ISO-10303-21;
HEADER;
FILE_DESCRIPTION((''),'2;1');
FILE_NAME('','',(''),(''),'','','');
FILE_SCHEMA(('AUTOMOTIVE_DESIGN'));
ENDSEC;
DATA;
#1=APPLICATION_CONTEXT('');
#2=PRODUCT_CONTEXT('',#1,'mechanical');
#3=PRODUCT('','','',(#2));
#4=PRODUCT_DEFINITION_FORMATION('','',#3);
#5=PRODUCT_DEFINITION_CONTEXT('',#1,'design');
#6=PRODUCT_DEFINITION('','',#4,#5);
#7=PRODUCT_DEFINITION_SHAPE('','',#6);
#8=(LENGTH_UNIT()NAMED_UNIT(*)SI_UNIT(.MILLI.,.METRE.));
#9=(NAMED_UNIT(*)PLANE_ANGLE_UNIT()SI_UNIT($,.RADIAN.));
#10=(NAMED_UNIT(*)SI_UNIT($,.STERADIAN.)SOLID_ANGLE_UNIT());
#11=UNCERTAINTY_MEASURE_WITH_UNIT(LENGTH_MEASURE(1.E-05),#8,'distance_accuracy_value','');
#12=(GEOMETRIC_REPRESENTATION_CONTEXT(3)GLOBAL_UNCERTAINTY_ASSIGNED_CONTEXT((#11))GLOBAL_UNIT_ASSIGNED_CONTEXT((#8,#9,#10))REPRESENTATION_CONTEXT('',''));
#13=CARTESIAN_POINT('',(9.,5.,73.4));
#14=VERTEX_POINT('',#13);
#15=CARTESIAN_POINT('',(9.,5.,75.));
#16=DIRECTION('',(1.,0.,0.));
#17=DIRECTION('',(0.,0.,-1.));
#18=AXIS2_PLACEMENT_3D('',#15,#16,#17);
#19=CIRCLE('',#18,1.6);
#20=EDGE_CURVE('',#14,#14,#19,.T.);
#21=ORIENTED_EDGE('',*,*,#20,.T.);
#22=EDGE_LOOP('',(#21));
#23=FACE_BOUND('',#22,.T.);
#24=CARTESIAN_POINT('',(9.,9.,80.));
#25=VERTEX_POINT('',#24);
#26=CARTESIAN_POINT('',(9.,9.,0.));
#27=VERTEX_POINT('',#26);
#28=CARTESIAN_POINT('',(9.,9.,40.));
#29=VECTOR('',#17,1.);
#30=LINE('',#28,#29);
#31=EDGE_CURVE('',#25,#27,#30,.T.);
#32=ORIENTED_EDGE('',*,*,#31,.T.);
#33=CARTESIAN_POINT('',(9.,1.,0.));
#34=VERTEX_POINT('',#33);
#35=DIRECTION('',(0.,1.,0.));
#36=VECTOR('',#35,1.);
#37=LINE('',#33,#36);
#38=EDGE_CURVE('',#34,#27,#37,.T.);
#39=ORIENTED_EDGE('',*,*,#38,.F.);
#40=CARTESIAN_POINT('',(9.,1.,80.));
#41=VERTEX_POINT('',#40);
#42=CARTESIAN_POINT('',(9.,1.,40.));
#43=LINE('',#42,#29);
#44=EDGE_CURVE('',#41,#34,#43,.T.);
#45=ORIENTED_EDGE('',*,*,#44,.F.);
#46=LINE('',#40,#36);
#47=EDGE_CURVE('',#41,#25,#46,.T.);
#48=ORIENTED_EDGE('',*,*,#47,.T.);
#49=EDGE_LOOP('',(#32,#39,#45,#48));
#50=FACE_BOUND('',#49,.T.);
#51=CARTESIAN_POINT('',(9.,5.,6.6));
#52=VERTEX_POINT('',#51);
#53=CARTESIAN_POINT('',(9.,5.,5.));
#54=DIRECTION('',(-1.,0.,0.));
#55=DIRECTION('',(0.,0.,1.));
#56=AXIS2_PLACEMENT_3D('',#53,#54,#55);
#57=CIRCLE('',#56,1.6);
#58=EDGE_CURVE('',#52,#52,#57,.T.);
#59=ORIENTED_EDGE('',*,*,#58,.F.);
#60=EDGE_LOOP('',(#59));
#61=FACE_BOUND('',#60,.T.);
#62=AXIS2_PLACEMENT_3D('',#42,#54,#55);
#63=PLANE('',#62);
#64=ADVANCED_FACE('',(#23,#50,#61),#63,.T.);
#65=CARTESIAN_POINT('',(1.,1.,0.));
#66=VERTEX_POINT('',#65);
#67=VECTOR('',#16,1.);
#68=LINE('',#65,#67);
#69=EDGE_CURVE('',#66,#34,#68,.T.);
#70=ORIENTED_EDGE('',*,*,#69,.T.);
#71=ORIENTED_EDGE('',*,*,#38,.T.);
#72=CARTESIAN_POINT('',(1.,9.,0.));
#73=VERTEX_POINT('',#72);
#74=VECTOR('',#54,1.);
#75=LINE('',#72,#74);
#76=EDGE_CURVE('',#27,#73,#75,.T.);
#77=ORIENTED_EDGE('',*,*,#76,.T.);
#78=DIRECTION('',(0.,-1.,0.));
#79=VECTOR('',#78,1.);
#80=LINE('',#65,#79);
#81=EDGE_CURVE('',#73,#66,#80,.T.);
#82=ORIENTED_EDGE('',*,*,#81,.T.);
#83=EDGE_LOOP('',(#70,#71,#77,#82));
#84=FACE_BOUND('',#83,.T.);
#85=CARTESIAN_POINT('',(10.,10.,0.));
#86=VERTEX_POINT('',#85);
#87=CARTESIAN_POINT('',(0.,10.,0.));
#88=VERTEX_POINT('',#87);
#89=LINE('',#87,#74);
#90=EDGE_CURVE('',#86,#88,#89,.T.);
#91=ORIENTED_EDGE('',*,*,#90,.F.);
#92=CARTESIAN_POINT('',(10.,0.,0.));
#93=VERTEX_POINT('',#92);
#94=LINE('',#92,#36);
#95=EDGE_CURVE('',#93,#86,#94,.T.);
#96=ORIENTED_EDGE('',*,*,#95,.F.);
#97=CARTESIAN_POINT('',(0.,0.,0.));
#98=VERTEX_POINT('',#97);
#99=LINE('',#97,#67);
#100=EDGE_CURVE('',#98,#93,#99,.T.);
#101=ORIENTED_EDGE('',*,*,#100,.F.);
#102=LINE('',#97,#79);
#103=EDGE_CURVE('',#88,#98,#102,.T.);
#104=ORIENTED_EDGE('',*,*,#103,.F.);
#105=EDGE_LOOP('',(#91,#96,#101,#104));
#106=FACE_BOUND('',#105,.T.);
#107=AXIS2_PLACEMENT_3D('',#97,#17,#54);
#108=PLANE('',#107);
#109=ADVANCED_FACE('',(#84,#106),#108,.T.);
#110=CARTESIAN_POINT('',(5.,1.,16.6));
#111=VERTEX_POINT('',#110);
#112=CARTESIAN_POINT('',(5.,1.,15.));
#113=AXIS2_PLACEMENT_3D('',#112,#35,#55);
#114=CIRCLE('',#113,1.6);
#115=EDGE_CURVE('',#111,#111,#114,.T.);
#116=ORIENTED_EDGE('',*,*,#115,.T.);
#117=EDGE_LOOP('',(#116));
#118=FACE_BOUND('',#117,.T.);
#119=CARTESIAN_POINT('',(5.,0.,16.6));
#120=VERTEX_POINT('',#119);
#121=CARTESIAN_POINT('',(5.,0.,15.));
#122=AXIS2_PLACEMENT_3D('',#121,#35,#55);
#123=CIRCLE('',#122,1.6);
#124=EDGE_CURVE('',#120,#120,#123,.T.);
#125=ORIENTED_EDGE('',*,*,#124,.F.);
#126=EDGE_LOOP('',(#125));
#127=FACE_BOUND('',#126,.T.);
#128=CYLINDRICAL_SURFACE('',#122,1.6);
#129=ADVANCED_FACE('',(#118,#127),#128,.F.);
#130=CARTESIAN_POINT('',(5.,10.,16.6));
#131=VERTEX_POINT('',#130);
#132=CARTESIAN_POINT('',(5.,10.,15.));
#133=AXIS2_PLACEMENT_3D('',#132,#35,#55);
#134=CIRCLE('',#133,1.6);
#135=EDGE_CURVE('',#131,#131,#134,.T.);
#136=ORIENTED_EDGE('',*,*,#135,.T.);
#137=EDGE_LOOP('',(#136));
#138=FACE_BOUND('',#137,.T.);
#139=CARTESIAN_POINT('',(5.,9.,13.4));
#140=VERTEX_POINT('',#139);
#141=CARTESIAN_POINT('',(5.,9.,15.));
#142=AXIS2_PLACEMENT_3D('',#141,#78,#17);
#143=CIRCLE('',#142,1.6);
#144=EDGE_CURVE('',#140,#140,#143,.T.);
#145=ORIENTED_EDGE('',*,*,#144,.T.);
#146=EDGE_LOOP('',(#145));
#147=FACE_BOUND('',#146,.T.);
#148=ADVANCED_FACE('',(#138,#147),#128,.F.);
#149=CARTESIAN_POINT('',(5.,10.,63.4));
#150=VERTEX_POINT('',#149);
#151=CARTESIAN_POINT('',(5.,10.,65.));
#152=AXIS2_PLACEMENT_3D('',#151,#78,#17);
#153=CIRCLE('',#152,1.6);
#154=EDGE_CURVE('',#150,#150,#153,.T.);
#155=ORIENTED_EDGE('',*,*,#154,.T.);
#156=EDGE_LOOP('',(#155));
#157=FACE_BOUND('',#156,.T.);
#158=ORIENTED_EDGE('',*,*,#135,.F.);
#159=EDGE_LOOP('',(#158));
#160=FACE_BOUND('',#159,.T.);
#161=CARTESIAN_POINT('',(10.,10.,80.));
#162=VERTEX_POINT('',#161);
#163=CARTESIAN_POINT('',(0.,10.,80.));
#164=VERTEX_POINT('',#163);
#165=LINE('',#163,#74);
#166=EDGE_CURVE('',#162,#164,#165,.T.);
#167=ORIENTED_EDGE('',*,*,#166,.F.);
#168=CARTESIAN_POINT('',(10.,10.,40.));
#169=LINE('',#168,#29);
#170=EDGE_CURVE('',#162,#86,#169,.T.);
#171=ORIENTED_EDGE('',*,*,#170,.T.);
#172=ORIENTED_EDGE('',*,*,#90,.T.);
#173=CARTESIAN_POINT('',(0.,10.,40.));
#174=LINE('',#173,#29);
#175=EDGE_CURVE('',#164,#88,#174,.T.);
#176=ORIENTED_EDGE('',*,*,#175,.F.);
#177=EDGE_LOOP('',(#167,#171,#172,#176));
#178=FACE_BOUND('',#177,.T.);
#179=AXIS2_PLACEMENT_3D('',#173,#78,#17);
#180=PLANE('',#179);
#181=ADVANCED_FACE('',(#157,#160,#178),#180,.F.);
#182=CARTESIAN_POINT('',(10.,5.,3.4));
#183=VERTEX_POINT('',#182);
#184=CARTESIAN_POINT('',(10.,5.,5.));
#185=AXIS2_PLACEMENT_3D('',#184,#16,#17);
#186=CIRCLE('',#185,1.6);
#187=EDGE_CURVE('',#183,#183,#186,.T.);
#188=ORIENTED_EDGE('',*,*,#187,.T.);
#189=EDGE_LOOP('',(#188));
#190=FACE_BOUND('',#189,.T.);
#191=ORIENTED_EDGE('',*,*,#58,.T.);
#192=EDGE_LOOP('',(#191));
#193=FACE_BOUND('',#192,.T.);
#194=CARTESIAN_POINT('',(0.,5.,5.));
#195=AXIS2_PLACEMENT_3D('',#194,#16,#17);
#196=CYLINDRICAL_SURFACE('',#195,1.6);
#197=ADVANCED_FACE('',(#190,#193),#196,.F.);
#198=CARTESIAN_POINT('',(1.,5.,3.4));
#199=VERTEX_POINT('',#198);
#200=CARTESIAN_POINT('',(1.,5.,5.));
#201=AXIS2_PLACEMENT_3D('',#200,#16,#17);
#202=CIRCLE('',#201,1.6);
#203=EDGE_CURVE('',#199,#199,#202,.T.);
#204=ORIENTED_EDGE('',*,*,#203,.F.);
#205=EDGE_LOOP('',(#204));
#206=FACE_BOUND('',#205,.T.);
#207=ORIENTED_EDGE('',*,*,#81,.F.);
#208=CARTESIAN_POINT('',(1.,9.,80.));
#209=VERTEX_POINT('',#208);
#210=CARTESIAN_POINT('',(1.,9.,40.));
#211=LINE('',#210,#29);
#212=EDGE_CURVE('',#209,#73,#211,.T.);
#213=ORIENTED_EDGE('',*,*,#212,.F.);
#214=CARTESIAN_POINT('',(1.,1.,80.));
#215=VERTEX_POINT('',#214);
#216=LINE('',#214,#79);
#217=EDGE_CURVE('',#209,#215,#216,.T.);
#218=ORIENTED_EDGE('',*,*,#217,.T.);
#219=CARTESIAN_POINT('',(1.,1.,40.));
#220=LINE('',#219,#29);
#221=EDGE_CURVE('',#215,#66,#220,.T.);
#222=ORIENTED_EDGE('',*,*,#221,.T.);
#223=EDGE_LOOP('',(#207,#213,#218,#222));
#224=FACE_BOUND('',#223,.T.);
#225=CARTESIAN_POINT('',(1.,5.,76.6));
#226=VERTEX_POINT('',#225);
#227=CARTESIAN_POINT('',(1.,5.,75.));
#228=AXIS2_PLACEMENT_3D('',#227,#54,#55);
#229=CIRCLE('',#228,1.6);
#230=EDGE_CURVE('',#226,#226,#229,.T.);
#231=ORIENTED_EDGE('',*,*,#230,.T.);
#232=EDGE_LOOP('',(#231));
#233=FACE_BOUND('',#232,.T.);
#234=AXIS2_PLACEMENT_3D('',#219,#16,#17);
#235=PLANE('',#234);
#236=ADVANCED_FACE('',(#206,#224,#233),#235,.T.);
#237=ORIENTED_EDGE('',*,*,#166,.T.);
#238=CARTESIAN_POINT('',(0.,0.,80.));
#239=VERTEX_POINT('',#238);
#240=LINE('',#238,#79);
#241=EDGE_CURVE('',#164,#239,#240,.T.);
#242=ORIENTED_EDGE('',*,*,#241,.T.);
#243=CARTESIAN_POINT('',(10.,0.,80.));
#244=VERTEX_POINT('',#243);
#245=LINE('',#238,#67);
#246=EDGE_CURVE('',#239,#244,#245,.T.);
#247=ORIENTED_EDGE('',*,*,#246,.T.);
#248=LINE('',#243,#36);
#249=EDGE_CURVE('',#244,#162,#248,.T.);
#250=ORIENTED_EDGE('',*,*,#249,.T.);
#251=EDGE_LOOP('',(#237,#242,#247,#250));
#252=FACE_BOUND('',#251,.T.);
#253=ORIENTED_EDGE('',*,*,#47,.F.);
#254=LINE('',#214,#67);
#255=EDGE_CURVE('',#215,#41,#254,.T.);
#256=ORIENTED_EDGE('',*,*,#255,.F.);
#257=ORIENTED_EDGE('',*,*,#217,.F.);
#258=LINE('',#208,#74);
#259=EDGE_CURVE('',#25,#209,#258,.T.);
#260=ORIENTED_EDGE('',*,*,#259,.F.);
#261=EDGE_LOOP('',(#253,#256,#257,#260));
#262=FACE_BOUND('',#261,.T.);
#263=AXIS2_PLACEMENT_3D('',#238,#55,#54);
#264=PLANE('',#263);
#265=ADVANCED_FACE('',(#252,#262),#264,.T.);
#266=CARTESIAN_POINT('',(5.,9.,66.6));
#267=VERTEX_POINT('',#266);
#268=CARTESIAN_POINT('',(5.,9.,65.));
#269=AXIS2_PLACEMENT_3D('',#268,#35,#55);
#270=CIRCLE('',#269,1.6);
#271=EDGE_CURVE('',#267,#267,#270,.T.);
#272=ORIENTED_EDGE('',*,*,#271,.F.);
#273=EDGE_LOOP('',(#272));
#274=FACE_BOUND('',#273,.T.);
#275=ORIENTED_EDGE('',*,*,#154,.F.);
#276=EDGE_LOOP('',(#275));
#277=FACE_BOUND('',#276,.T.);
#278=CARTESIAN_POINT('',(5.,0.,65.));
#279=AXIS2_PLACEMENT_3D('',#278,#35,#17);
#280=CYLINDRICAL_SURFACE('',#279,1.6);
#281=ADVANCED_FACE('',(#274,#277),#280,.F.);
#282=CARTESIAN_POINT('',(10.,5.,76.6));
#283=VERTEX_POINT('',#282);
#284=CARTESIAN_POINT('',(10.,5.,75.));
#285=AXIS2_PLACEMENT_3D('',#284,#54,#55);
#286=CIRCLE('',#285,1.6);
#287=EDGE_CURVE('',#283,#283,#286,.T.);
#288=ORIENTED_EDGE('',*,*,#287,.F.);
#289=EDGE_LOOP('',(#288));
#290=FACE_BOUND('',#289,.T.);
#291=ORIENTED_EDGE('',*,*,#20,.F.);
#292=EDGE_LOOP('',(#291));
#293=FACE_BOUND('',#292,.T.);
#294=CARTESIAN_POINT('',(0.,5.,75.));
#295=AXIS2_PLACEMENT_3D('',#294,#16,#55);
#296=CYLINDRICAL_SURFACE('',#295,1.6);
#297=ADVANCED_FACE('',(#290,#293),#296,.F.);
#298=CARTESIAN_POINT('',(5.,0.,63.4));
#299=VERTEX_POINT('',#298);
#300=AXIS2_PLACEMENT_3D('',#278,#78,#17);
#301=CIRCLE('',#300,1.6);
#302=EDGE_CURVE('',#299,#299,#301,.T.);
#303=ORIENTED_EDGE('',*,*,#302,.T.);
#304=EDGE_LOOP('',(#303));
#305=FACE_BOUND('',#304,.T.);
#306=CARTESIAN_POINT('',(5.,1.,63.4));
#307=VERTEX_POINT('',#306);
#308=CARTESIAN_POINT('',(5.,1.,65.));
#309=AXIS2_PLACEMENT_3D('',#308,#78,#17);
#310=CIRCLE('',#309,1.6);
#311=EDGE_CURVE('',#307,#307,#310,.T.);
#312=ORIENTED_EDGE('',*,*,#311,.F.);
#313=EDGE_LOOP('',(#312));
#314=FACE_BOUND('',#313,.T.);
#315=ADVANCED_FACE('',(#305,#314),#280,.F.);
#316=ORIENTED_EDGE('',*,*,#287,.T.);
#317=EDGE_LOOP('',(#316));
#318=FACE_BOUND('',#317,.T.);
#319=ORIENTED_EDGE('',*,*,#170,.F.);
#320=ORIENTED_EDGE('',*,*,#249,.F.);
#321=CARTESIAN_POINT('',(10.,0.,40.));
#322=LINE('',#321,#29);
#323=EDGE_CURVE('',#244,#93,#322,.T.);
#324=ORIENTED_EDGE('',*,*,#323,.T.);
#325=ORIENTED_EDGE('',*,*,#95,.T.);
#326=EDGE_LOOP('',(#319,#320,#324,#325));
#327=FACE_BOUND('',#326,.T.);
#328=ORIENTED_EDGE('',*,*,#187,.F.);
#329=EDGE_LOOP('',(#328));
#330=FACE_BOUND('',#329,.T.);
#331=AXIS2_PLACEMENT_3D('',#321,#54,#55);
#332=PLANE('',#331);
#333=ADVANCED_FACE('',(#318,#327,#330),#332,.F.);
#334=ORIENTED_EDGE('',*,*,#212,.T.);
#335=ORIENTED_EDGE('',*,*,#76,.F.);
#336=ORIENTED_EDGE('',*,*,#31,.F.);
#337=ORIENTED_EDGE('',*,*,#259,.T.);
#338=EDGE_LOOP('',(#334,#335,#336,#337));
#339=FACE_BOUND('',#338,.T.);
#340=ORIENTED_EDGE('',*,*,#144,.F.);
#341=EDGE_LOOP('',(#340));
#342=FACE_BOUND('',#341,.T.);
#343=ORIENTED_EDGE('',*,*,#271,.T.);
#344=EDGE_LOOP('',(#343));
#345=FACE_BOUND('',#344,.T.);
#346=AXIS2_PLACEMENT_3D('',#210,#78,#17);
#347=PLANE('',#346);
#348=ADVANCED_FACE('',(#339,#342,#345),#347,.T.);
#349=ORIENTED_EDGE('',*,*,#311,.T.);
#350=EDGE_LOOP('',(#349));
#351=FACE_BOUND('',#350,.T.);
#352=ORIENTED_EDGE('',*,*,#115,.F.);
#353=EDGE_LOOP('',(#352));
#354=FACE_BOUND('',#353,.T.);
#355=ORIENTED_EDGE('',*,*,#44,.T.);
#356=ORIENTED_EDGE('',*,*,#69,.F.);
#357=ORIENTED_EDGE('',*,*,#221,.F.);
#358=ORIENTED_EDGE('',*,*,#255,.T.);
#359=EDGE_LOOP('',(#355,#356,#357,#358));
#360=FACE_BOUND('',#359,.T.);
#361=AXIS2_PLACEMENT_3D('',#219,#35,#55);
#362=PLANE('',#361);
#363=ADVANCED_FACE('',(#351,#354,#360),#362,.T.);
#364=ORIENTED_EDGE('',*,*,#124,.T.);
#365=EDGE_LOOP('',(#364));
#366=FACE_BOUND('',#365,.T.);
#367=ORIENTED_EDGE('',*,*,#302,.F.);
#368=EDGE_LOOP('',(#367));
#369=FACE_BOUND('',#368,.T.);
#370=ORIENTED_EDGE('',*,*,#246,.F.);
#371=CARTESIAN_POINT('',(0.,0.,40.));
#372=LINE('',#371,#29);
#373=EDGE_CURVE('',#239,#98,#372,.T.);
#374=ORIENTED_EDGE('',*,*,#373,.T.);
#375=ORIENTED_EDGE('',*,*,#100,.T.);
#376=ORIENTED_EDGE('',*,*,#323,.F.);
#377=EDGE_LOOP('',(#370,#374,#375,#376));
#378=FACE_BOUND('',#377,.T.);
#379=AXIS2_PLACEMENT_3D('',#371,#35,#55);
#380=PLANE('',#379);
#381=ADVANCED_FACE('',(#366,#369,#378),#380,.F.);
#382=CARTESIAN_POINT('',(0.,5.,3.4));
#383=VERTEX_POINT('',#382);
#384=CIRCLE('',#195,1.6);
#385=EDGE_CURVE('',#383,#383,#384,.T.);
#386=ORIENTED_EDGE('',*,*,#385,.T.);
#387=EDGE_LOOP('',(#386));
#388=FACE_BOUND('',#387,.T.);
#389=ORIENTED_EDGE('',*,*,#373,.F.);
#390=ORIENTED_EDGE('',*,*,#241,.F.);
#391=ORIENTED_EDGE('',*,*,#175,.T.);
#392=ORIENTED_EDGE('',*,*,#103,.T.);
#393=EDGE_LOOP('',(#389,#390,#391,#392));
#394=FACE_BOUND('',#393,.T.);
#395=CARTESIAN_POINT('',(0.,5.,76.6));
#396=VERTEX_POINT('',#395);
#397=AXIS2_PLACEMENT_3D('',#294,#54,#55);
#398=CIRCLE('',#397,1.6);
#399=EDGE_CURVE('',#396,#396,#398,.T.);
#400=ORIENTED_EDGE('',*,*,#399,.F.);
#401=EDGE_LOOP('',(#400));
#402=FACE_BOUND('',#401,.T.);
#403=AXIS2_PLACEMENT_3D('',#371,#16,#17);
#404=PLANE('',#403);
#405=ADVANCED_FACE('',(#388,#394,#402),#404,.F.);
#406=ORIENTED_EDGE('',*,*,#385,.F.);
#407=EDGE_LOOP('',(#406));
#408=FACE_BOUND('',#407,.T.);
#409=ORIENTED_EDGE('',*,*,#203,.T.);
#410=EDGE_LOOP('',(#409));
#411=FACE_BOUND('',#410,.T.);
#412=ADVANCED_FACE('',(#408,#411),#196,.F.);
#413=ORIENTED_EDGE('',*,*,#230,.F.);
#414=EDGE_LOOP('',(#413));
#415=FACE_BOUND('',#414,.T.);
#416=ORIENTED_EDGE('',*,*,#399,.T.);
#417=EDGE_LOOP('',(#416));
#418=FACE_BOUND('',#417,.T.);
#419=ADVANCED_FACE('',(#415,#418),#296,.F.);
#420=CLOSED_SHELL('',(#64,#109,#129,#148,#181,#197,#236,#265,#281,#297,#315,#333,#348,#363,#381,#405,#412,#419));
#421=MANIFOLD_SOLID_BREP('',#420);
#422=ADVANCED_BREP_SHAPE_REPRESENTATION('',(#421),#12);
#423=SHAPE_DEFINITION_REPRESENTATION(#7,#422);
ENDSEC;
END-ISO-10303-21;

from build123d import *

# Parameters (mm, degrees)
SKETCH_1_W          = 10
SKETCH_1_H          = 10
SKETCH_1_W_2        = 8
SKETCH_1_H_2        = 8
EXTRUDE_1_DEPTH     = 40
SKETCH_2_R          = 1.6
CUT_EXTRUDE_1_DEPTH = 11
SKETCH_3_R          = 1.6
CUT_EXTRUDE_2_DEPTH = 11


with BuildPart() as part:
    # ｽｹｯﾁ1 → ﾎﾞｽ - 押し出し1 (new body)
    with BuildSketch(Plane.XY):
        with Locations((5, 5)):
            Rectangle(SKETCH_1_W, SKETCH_1_H)
        with Locations((5, 5)):
            Rectangle(SKETCH_1_W_2, SKETCH_1_H_2, mode=Mode.SUBTRACT)
    extrude(amount=EXTRUDE_1_DEPTH)

    # ｽｹｯﾁ2 → ｶｯﾄ - 押し出し1 (cut, through all)
    with BuildSketch(Plane(origin=(10, 0, 0), x_dir=(0, 0, -1), z_dir=(1, 0, 0))):
        with Locations((-5, 5)):
            Circle(SKETCH_2_R)
    extrude(amount=-CUT_EXTRUDE_1_DEPTH, mode=Mode.SUBTRACT)

    # ｽｹｯﾁ3 → ｶｯﾄ - 押し出し2 (cut, through all)
    with BuildSketch(Plane(origin=(0, 10, 0), x_dir=(1, 0, 0), z_dir=(0, 1, 0))):
        with Locations((5, -15)):
            Circle(SKETCH_3_R)
    extrude(amount=-CUT_EXTRUDE_2_DEPTH, mode=Mode.SUBTRACT)

    # ﾐﾗｰ1: part across plane


with BuildPart() as part_1:
    add(part.part)
    add(part.part.mirror(Plane(origin=(0, 0, 40), x_dir=(1, 0, 0), z_dir=(0, 0, -1))))


solid = part_1.part
